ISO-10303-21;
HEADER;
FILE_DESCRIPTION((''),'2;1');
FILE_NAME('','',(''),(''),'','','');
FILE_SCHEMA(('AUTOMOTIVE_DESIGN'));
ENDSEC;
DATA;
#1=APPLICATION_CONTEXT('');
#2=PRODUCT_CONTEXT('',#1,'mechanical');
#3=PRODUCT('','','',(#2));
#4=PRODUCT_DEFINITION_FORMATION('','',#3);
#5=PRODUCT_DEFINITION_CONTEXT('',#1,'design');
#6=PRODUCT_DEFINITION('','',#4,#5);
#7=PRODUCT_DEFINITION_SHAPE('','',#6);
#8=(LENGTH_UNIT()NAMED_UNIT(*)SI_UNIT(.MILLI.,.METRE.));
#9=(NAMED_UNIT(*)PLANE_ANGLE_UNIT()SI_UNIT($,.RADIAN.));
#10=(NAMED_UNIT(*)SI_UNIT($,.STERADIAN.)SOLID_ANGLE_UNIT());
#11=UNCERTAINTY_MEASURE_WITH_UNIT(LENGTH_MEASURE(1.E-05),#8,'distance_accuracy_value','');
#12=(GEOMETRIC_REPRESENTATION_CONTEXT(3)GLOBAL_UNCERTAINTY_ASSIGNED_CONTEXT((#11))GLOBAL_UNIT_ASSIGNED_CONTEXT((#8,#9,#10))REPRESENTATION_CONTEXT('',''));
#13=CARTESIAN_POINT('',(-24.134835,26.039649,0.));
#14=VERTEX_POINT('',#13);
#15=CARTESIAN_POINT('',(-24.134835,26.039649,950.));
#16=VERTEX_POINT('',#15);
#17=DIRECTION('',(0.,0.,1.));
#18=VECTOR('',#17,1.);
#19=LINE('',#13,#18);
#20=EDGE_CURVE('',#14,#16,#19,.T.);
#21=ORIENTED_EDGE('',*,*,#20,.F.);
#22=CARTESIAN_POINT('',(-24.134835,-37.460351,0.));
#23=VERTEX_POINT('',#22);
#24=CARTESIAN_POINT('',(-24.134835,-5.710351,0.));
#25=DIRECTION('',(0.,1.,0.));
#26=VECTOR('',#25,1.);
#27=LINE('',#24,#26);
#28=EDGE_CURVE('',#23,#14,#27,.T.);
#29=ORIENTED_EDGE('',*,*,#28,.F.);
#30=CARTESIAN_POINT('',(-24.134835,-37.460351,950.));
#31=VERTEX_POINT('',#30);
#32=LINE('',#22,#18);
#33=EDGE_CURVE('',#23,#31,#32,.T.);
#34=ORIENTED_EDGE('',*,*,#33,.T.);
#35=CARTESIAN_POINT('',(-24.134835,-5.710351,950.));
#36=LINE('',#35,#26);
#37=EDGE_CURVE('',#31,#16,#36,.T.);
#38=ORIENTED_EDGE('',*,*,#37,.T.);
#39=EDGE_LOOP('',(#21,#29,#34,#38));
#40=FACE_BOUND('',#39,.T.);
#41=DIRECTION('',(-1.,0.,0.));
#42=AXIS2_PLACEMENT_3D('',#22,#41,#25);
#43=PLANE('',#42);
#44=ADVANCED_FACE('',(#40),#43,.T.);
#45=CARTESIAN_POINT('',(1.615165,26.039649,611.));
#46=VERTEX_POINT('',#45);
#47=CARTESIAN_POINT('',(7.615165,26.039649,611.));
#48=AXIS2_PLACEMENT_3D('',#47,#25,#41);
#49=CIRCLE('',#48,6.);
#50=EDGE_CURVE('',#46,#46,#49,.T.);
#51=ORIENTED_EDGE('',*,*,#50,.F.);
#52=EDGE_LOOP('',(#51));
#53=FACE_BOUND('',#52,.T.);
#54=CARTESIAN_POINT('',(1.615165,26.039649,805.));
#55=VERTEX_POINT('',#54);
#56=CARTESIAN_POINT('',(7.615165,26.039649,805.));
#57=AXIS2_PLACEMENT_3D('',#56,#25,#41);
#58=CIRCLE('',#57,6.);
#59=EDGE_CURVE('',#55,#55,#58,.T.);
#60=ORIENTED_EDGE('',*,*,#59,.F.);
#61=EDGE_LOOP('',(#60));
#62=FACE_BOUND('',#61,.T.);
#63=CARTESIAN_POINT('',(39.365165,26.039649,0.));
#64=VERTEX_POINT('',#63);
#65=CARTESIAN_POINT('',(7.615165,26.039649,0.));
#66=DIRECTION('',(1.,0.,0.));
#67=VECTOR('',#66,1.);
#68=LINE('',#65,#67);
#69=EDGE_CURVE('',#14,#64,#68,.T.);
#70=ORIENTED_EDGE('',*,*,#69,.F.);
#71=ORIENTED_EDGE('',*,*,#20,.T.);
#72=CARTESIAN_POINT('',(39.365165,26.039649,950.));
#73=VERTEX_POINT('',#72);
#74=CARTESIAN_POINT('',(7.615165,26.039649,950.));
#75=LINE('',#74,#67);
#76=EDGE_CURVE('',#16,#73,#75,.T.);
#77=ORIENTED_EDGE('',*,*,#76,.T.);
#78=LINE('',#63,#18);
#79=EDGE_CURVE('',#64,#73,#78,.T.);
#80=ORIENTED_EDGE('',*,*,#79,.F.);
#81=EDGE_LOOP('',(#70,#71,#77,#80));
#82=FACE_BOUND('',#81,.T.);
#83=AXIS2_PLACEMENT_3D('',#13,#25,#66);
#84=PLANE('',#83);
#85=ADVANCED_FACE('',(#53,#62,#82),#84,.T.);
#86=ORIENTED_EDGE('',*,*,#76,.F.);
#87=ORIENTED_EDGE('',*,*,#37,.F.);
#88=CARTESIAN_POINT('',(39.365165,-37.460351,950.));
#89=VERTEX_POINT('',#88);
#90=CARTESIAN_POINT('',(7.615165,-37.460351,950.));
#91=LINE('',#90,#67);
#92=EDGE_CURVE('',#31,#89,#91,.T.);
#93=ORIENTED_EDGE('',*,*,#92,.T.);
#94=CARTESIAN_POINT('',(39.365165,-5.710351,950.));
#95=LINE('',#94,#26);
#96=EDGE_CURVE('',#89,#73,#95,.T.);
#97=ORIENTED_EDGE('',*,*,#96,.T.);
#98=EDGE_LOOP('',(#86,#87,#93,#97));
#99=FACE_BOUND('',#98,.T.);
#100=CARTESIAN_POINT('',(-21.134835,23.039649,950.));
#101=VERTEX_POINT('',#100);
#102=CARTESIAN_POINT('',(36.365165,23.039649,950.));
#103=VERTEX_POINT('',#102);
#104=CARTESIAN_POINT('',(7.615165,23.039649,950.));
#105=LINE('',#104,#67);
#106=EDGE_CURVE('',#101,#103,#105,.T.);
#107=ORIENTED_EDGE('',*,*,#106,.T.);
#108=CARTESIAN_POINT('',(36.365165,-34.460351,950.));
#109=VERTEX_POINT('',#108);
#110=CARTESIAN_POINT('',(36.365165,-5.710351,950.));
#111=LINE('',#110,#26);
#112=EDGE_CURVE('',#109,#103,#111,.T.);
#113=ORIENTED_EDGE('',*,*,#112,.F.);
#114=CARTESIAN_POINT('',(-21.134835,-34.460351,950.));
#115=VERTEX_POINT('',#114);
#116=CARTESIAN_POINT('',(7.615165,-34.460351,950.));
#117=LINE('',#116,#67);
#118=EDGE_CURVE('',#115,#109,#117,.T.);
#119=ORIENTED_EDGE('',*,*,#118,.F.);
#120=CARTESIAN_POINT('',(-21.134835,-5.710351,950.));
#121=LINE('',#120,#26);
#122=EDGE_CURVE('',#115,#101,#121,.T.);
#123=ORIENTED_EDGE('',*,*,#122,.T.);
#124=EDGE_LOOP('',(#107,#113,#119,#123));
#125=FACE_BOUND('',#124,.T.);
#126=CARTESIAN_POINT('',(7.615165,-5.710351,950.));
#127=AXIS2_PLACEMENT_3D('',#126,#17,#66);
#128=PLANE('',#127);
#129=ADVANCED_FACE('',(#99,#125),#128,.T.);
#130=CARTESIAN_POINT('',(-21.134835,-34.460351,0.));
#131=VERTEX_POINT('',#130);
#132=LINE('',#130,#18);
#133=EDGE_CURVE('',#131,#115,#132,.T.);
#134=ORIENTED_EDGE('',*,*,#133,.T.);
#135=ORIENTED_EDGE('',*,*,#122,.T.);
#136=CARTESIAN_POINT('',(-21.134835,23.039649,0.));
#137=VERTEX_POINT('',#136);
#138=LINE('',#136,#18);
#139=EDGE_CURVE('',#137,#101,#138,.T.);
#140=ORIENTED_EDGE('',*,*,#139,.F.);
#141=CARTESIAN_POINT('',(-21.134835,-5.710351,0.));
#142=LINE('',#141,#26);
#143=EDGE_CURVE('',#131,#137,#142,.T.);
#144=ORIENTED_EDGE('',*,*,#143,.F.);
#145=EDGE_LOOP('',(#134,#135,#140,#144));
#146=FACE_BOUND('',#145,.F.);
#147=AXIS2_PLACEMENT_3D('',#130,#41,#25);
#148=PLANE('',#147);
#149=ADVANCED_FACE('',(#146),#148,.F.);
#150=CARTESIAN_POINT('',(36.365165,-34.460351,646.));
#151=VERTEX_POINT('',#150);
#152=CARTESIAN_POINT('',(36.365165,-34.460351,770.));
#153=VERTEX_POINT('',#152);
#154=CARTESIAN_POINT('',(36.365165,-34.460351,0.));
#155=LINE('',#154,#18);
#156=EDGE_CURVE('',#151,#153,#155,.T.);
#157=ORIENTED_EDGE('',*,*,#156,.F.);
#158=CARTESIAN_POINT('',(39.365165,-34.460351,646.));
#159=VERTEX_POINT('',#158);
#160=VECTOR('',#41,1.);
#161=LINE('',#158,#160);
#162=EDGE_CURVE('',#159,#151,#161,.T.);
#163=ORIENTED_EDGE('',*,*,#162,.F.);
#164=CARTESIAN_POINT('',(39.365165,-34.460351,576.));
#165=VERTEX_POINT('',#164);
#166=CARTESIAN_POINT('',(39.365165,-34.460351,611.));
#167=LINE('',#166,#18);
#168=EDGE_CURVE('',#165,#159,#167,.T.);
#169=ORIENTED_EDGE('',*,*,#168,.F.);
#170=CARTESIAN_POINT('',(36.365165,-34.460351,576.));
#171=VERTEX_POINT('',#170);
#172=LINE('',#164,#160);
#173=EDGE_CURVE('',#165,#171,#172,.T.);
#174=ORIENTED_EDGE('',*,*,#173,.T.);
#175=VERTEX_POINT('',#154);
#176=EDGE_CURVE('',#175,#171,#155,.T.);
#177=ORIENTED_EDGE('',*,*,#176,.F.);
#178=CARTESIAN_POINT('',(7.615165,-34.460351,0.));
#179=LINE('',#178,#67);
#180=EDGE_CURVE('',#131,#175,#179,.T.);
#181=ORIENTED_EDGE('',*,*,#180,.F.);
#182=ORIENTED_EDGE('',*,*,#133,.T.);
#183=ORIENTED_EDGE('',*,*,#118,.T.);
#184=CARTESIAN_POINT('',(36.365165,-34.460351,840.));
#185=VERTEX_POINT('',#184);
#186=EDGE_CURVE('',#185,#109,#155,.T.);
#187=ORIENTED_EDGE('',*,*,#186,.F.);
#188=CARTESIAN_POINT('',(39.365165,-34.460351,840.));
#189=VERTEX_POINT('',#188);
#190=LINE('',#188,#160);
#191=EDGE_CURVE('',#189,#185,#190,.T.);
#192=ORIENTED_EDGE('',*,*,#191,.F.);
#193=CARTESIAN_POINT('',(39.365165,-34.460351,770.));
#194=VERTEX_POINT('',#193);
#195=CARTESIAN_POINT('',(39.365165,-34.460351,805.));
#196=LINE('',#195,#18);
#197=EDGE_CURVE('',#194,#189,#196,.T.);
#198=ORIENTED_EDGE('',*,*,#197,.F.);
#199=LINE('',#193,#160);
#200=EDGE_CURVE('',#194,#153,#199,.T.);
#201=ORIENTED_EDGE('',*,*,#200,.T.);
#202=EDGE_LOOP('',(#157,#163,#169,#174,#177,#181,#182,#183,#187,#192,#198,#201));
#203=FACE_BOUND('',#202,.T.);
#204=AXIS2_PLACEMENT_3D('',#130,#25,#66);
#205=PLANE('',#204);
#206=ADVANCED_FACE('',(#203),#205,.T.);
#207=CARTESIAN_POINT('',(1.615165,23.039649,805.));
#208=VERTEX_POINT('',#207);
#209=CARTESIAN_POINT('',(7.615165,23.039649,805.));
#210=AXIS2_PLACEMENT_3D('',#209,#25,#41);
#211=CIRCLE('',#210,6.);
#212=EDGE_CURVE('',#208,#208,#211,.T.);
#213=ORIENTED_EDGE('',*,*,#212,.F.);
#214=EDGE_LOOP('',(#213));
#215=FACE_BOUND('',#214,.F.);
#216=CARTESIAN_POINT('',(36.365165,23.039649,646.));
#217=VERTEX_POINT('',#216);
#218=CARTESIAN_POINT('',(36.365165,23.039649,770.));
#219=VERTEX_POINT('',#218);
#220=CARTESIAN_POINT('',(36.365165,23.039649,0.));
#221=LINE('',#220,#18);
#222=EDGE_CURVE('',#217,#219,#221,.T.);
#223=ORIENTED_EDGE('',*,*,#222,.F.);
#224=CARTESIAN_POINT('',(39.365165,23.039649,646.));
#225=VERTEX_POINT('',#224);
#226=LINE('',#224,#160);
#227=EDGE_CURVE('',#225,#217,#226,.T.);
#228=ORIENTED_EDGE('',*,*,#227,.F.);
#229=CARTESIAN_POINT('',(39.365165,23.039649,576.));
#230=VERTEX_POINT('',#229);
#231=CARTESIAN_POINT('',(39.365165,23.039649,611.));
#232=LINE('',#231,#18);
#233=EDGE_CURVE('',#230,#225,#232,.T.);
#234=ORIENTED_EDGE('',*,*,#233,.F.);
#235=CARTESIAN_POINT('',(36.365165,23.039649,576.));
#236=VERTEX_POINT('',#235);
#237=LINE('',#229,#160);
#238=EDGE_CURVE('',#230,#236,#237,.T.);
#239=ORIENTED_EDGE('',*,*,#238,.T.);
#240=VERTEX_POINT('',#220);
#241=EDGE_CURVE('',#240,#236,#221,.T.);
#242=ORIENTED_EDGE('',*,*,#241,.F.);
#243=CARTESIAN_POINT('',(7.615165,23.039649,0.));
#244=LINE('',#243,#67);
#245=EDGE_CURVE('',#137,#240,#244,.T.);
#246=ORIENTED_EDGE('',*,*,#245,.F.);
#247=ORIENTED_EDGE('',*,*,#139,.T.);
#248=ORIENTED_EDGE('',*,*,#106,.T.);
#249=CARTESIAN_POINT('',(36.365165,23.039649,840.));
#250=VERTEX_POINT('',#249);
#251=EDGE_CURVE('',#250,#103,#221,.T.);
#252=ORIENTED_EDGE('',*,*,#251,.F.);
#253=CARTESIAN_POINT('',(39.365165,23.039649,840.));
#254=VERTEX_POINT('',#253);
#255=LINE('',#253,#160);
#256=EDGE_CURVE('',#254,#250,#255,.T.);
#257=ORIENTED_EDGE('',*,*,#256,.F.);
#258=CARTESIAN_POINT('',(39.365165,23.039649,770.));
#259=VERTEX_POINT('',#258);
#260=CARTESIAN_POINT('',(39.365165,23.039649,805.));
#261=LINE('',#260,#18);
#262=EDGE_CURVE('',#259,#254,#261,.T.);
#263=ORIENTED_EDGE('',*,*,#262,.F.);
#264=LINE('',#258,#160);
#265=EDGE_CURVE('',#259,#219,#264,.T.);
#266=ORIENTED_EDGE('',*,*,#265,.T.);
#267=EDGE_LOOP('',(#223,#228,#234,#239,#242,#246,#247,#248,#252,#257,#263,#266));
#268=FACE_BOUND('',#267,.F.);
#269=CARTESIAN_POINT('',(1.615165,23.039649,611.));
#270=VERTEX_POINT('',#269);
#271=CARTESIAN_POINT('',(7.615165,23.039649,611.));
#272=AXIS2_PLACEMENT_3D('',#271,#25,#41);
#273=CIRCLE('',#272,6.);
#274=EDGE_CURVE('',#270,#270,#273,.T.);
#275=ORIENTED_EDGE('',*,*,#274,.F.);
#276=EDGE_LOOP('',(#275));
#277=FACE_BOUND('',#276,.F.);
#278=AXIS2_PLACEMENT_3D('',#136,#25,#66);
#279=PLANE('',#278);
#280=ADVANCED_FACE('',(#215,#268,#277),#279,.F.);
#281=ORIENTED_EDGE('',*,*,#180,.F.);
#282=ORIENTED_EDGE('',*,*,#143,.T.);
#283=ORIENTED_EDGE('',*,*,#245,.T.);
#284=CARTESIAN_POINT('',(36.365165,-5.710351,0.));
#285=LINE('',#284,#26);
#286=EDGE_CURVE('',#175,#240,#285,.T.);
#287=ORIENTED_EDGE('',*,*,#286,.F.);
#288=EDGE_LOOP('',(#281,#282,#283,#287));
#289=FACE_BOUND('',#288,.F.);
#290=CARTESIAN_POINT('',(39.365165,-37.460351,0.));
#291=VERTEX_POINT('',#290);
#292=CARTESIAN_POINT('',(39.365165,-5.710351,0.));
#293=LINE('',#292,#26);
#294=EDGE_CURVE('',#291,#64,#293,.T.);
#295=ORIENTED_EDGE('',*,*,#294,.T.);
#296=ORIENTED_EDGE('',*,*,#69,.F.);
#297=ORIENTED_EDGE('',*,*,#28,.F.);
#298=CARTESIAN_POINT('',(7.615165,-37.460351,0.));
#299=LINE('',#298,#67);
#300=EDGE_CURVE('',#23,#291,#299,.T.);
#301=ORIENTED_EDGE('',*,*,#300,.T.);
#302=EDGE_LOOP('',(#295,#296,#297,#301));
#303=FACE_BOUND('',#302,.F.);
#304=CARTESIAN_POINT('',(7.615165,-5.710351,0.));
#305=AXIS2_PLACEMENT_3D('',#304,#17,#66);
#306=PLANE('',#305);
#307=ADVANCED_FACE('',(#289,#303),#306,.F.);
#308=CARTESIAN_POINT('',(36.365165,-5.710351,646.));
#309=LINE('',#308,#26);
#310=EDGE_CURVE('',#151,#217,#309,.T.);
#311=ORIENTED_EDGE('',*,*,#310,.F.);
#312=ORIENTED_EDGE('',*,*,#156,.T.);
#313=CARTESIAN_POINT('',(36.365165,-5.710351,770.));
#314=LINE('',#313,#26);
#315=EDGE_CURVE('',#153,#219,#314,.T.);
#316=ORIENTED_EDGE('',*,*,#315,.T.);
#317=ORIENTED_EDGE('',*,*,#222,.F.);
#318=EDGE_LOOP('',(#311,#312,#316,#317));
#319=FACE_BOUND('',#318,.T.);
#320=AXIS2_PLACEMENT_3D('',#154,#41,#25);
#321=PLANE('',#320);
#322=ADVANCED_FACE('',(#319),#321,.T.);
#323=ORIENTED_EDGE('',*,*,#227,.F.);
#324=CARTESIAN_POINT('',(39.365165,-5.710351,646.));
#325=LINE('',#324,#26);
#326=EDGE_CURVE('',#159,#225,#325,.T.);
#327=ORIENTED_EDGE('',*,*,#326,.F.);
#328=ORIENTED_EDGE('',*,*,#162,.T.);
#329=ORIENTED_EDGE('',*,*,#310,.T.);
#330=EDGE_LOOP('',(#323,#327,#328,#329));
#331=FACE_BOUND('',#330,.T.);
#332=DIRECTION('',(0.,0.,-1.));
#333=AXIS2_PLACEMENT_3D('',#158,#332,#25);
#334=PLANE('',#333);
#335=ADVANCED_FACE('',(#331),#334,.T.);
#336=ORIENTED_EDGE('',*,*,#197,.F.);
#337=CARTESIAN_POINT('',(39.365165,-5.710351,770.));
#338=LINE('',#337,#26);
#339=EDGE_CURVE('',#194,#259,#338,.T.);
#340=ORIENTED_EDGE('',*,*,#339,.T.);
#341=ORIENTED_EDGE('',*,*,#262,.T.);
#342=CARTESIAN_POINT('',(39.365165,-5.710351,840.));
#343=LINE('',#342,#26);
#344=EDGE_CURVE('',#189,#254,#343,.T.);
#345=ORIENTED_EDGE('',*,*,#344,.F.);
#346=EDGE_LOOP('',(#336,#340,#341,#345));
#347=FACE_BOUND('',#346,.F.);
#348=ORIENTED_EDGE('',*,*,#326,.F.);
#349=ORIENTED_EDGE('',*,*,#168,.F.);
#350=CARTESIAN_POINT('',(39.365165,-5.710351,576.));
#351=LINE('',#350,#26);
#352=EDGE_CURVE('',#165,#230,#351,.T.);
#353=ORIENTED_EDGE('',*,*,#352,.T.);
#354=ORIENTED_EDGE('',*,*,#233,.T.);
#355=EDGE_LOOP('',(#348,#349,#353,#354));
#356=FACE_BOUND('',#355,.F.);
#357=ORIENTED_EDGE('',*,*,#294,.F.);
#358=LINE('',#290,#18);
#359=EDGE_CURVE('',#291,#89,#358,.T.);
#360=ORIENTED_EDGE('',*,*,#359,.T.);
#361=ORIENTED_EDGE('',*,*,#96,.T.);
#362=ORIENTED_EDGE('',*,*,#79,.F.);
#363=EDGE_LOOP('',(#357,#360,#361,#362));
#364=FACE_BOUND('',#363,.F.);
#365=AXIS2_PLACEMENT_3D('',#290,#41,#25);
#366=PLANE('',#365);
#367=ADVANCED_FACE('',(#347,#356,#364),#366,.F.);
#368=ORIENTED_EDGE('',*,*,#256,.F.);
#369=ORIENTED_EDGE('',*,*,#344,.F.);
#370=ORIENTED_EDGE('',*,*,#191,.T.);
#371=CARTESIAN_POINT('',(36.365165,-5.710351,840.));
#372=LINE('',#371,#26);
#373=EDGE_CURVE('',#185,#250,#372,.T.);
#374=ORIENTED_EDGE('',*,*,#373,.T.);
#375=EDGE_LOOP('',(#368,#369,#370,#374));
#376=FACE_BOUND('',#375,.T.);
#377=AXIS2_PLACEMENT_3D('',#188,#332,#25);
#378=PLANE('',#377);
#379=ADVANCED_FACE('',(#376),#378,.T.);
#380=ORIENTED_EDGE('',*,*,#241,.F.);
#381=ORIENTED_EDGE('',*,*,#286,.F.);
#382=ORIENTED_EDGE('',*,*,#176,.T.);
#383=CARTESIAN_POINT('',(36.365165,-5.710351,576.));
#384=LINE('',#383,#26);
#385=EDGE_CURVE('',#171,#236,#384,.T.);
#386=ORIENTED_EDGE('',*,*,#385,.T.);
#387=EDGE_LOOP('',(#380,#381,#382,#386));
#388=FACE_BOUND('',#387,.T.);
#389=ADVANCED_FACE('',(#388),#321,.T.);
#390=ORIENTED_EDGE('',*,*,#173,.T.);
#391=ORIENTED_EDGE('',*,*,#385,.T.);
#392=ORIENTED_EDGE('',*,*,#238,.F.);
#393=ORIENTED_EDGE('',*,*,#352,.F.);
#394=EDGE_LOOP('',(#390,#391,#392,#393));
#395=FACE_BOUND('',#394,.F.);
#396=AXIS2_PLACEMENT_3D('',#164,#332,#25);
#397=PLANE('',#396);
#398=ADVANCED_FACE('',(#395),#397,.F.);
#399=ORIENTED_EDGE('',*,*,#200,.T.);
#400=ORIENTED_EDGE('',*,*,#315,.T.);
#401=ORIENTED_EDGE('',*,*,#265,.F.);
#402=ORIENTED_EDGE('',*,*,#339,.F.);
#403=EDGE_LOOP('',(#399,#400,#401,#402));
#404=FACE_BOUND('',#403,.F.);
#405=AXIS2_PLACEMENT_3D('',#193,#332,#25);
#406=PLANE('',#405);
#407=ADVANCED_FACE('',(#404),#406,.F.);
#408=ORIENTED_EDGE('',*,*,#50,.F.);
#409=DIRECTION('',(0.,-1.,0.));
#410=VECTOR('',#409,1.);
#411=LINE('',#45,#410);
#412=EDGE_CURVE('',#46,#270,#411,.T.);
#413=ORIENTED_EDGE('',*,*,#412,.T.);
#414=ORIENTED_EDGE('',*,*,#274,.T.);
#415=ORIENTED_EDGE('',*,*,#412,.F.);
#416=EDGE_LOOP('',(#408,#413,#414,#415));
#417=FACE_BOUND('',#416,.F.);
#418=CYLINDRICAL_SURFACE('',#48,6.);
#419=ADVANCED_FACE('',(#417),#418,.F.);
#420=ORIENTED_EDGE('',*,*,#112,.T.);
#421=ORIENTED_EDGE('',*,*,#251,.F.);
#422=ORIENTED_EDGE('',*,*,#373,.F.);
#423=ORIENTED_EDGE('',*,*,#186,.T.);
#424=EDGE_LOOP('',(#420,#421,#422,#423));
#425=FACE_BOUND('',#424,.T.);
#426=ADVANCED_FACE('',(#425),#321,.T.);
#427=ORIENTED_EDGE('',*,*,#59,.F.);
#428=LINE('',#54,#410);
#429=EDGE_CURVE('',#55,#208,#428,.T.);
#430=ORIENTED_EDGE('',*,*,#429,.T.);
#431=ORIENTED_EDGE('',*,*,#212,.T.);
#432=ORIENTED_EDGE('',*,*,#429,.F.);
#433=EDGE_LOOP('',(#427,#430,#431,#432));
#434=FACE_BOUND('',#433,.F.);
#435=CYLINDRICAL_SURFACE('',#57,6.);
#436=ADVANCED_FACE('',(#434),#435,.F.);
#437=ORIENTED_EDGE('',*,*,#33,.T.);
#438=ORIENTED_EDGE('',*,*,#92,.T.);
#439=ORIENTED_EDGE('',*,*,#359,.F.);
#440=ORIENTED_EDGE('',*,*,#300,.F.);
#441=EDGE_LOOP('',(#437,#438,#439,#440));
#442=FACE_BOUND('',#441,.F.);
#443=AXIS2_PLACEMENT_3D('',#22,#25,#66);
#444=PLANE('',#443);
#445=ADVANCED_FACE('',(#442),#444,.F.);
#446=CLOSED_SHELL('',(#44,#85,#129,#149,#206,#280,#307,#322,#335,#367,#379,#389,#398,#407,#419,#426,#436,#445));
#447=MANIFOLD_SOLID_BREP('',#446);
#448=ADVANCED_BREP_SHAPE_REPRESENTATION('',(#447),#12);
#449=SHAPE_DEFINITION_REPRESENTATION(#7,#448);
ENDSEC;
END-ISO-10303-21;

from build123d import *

# Parameters (mm, degrees)
F0_W      = 63.5
F0_H      = 63.5
F0_W_2    = 57.5
F0_H_2    = 57.5
F1_DEPTH  = 950
F2_W      = 57.5
F2_H      = 70
F3_DEPTH  = 3
F4_W      = 57.5
F4_H      = 70
F5_DEPTH  = 3
F7_DEPTH  = 3
F8_DEPTH  = 3
F9_R      = 6
F10_DEPTH = 3
F11_R     = 6
F12_DEPTH = 3


with BuildPart() as f1:
    # F0 (on Top) → F1 (new body)
    with BuildSketch(Plane.XY):
        with Locations((7.6151648536, -5.7103513741)):
            Rectangle(F0_W, F0_H)
        with Locations((7.6151648536, -5.7103513741)):
            Rectangle(F0_W_2, F0_H_2, mode=Mode.SUBTRACT)
    extrude(amount=F1_DEPTH)

    # F2 (on face) → F3 (cut)
    with BuildSketch(Plane.YZ.offset(39.3651648536)):
        with Locations((-5.7103513741, 805)):
            Rectangle(F2_W, F2_H)
    extrude(amount=-F3_DEPTH, mode=Mode.SUBTRACT)

    # F4 (on face) → F5 (cut)
    with BuildSketch(Plane.YZ.offset(39.3651648536)):
        with Locations((-5.7103513741, 611)):
            Rectangle(F4_W, F4_H)
    extrude(amount=-F5_DEPTH, mode=Mode.SUBTRACT)

    # F9 (on face) → F10 (cut)
    with BuildSketch(Plane(origin=(0, 26.0396486259, 0), x_dir=(-1, 0, 0), z_dir=(0, 1, 0))):
        with Locations((-7.6151648536, 805)):
            Circle(F9_R)
    extrude(amount=-F10_DEPTH, mode=Mode.SUBTRACT)

    # F11 (on face) → F12 (cut)
    with BuildSketch(Plane(origin=(0, 26.0396486259, 0), x_dir=(-1, 0, 0), z_dir=(0, 1, 0))):
        with Locations((-7.6151648536, 611)):
            Circle(F11_R)
    extrude(amount=-F12_DEPTH, mode=Mode.SUBTRACT)


with BuildPart() as f7:
    # F4 (on face) → F7 (new body)
    with BuildSketch(Plane.YZ.offset(39.3651648536)):
        with Locations((-5.7103513741, 611)):
            Rectangle(F4_W, F4_H)
    extrude(amount=F7_DEPTH)

    # F8 (cut): a face of the model
    f8_faces = [f7.faces().sort_by_distance(p)[0] for p in [
        (42.3651648536, -5.7103513741, 611),
    ]]
    extrude(f8_faces, amount=-F8_DEPTH, mode=Mode.SUBTRACT)


solid = f1.part
